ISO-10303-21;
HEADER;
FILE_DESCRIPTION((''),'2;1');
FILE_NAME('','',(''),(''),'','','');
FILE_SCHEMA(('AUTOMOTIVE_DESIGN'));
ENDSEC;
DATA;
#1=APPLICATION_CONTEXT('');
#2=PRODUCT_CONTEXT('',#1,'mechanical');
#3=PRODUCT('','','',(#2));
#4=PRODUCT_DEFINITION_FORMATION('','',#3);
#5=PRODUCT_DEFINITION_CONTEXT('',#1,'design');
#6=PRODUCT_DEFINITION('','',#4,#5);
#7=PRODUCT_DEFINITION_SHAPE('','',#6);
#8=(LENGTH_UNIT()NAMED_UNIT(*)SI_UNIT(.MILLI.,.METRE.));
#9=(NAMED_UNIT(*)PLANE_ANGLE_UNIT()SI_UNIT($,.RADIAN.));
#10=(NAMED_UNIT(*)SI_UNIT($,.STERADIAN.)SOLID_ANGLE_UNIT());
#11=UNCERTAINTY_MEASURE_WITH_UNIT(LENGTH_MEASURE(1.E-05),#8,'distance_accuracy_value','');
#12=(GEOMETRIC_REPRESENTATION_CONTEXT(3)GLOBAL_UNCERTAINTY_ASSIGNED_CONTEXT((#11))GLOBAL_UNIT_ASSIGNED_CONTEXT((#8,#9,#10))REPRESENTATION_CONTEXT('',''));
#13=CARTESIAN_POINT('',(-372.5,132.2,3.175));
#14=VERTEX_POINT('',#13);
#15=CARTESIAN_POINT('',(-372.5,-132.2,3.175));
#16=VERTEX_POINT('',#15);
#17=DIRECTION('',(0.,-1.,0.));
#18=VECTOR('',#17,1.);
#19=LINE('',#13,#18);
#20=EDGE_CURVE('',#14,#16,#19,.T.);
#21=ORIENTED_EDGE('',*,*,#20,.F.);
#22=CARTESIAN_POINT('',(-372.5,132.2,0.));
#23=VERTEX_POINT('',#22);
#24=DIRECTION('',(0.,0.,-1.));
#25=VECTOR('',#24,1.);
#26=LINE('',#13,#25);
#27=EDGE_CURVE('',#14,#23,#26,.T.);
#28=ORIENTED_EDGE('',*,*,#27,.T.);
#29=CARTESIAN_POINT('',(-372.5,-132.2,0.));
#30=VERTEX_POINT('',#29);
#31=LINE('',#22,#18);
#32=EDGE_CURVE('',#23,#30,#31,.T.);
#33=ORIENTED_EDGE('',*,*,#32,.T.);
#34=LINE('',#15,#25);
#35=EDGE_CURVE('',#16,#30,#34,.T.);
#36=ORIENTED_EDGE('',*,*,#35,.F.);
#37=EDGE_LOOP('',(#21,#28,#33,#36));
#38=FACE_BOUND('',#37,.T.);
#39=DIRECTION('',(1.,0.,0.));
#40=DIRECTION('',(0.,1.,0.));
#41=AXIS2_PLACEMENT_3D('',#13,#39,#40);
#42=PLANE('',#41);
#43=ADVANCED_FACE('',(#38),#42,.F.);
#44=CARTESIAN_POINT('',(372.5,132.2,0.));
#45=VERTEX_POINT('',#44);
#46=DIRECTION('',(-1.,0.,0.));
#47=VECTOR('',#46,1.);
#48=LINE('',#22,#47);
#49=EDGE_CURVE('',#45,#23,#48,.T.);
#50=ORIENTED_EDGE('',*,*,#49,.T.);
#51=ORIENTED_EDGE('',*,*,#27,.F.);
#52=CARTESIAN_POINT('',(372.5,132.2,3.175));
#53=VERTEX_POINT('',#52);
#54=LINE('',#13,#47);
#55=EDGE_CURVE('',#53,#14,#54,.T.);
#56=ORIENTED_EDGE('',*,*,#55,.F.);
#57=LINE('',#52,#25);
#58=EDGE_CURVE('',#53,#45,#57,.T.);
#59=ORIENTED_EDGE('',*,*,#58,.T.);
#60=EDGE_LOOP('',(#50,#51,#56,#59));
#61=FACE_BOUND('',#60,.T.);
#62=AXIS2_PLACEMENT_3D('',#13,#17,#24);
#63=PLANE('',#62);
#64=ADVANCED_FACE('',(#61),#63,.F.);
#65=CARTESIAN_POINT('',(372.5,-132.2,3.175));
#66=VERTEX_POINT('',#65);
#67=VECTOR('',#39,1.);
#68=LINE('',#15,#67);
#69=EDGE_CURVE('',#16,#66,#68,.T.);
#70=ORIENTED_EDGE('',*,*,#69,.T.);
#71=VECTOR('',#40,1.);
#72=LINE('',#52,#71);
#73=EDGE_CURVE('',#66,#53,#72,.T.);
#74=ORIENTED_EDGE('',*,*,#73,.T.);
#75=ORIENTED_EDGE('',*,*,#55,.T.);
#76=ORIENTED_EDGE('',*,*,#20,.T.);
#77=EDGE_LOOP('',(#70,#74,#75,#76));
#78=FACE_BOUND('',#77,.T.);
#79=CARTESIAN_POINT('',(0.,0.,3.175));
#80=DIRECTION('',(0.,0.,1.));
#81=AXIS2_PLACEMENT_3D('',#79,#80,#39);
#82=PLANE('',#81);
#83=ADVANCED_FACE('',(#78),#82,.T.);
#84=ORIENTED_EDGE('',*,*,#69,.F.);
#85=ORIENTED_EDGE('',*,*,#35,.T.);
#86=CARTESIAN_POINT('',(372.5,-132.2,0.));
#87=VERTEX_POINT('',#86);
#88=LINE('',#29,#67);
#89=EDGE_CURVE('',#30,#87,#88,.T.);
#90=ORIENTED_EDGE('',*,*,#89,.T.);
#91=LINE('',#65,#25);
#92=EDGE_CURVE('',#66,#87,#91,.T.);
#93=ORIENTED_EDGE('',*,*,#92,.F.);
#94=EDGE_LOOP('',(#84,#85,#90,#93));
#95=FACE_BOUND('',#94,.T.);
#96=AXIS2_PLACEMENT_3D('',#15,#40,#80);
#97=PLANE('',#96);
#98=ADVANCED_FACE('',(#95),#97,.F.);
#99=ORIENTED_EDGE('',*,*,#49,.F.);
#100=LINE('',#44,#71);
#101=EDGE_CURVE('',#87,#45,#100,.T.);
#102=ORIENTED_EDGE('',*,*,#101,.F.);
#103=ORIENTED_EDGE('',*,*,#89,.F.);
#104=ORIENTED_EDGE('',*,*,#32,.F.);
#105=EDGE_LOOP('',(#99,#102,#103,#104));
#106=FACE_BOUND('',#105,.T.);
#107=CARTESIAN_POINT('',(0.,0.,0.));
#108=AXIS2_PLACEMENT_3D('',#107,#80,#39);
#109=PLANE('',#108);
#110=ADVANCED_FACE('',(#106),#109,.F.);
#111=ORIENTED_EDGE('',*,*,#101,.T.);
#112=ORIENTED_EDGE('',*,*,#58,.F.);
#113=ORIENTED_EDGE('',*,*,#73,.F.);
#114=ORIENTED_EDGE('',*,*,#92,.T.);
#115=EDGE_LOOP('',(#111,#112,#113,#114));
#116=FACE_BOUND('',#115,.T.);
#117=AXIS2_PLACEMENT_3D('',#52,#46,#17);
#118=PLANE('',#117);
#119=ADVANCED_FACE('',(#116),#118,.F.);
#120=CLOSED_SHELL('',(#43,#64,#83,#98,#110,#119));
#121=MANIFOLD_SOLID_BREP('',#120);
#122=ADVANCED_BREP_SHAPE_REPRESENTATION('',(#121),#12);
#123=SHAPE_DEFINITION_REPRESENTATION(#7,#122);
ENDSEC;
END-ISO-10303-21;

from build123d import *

# Parameters (mm, degrees)
SKETCH1_W           = 745
SKETCH1_H           = 264.4
BOSS_EXTRUDE1_DEPTH = 3.175


with BuildPart() as part:
    # Sketch1 → Boss-Extrude1 (new body)
    with BuildSketch(Plane.XY):
        Rectangle(SKETCH1_W, SKETCH1_H)
    extrude(amount=BOSS_EXTRUDE1_DEPTH)


solid = part.part
